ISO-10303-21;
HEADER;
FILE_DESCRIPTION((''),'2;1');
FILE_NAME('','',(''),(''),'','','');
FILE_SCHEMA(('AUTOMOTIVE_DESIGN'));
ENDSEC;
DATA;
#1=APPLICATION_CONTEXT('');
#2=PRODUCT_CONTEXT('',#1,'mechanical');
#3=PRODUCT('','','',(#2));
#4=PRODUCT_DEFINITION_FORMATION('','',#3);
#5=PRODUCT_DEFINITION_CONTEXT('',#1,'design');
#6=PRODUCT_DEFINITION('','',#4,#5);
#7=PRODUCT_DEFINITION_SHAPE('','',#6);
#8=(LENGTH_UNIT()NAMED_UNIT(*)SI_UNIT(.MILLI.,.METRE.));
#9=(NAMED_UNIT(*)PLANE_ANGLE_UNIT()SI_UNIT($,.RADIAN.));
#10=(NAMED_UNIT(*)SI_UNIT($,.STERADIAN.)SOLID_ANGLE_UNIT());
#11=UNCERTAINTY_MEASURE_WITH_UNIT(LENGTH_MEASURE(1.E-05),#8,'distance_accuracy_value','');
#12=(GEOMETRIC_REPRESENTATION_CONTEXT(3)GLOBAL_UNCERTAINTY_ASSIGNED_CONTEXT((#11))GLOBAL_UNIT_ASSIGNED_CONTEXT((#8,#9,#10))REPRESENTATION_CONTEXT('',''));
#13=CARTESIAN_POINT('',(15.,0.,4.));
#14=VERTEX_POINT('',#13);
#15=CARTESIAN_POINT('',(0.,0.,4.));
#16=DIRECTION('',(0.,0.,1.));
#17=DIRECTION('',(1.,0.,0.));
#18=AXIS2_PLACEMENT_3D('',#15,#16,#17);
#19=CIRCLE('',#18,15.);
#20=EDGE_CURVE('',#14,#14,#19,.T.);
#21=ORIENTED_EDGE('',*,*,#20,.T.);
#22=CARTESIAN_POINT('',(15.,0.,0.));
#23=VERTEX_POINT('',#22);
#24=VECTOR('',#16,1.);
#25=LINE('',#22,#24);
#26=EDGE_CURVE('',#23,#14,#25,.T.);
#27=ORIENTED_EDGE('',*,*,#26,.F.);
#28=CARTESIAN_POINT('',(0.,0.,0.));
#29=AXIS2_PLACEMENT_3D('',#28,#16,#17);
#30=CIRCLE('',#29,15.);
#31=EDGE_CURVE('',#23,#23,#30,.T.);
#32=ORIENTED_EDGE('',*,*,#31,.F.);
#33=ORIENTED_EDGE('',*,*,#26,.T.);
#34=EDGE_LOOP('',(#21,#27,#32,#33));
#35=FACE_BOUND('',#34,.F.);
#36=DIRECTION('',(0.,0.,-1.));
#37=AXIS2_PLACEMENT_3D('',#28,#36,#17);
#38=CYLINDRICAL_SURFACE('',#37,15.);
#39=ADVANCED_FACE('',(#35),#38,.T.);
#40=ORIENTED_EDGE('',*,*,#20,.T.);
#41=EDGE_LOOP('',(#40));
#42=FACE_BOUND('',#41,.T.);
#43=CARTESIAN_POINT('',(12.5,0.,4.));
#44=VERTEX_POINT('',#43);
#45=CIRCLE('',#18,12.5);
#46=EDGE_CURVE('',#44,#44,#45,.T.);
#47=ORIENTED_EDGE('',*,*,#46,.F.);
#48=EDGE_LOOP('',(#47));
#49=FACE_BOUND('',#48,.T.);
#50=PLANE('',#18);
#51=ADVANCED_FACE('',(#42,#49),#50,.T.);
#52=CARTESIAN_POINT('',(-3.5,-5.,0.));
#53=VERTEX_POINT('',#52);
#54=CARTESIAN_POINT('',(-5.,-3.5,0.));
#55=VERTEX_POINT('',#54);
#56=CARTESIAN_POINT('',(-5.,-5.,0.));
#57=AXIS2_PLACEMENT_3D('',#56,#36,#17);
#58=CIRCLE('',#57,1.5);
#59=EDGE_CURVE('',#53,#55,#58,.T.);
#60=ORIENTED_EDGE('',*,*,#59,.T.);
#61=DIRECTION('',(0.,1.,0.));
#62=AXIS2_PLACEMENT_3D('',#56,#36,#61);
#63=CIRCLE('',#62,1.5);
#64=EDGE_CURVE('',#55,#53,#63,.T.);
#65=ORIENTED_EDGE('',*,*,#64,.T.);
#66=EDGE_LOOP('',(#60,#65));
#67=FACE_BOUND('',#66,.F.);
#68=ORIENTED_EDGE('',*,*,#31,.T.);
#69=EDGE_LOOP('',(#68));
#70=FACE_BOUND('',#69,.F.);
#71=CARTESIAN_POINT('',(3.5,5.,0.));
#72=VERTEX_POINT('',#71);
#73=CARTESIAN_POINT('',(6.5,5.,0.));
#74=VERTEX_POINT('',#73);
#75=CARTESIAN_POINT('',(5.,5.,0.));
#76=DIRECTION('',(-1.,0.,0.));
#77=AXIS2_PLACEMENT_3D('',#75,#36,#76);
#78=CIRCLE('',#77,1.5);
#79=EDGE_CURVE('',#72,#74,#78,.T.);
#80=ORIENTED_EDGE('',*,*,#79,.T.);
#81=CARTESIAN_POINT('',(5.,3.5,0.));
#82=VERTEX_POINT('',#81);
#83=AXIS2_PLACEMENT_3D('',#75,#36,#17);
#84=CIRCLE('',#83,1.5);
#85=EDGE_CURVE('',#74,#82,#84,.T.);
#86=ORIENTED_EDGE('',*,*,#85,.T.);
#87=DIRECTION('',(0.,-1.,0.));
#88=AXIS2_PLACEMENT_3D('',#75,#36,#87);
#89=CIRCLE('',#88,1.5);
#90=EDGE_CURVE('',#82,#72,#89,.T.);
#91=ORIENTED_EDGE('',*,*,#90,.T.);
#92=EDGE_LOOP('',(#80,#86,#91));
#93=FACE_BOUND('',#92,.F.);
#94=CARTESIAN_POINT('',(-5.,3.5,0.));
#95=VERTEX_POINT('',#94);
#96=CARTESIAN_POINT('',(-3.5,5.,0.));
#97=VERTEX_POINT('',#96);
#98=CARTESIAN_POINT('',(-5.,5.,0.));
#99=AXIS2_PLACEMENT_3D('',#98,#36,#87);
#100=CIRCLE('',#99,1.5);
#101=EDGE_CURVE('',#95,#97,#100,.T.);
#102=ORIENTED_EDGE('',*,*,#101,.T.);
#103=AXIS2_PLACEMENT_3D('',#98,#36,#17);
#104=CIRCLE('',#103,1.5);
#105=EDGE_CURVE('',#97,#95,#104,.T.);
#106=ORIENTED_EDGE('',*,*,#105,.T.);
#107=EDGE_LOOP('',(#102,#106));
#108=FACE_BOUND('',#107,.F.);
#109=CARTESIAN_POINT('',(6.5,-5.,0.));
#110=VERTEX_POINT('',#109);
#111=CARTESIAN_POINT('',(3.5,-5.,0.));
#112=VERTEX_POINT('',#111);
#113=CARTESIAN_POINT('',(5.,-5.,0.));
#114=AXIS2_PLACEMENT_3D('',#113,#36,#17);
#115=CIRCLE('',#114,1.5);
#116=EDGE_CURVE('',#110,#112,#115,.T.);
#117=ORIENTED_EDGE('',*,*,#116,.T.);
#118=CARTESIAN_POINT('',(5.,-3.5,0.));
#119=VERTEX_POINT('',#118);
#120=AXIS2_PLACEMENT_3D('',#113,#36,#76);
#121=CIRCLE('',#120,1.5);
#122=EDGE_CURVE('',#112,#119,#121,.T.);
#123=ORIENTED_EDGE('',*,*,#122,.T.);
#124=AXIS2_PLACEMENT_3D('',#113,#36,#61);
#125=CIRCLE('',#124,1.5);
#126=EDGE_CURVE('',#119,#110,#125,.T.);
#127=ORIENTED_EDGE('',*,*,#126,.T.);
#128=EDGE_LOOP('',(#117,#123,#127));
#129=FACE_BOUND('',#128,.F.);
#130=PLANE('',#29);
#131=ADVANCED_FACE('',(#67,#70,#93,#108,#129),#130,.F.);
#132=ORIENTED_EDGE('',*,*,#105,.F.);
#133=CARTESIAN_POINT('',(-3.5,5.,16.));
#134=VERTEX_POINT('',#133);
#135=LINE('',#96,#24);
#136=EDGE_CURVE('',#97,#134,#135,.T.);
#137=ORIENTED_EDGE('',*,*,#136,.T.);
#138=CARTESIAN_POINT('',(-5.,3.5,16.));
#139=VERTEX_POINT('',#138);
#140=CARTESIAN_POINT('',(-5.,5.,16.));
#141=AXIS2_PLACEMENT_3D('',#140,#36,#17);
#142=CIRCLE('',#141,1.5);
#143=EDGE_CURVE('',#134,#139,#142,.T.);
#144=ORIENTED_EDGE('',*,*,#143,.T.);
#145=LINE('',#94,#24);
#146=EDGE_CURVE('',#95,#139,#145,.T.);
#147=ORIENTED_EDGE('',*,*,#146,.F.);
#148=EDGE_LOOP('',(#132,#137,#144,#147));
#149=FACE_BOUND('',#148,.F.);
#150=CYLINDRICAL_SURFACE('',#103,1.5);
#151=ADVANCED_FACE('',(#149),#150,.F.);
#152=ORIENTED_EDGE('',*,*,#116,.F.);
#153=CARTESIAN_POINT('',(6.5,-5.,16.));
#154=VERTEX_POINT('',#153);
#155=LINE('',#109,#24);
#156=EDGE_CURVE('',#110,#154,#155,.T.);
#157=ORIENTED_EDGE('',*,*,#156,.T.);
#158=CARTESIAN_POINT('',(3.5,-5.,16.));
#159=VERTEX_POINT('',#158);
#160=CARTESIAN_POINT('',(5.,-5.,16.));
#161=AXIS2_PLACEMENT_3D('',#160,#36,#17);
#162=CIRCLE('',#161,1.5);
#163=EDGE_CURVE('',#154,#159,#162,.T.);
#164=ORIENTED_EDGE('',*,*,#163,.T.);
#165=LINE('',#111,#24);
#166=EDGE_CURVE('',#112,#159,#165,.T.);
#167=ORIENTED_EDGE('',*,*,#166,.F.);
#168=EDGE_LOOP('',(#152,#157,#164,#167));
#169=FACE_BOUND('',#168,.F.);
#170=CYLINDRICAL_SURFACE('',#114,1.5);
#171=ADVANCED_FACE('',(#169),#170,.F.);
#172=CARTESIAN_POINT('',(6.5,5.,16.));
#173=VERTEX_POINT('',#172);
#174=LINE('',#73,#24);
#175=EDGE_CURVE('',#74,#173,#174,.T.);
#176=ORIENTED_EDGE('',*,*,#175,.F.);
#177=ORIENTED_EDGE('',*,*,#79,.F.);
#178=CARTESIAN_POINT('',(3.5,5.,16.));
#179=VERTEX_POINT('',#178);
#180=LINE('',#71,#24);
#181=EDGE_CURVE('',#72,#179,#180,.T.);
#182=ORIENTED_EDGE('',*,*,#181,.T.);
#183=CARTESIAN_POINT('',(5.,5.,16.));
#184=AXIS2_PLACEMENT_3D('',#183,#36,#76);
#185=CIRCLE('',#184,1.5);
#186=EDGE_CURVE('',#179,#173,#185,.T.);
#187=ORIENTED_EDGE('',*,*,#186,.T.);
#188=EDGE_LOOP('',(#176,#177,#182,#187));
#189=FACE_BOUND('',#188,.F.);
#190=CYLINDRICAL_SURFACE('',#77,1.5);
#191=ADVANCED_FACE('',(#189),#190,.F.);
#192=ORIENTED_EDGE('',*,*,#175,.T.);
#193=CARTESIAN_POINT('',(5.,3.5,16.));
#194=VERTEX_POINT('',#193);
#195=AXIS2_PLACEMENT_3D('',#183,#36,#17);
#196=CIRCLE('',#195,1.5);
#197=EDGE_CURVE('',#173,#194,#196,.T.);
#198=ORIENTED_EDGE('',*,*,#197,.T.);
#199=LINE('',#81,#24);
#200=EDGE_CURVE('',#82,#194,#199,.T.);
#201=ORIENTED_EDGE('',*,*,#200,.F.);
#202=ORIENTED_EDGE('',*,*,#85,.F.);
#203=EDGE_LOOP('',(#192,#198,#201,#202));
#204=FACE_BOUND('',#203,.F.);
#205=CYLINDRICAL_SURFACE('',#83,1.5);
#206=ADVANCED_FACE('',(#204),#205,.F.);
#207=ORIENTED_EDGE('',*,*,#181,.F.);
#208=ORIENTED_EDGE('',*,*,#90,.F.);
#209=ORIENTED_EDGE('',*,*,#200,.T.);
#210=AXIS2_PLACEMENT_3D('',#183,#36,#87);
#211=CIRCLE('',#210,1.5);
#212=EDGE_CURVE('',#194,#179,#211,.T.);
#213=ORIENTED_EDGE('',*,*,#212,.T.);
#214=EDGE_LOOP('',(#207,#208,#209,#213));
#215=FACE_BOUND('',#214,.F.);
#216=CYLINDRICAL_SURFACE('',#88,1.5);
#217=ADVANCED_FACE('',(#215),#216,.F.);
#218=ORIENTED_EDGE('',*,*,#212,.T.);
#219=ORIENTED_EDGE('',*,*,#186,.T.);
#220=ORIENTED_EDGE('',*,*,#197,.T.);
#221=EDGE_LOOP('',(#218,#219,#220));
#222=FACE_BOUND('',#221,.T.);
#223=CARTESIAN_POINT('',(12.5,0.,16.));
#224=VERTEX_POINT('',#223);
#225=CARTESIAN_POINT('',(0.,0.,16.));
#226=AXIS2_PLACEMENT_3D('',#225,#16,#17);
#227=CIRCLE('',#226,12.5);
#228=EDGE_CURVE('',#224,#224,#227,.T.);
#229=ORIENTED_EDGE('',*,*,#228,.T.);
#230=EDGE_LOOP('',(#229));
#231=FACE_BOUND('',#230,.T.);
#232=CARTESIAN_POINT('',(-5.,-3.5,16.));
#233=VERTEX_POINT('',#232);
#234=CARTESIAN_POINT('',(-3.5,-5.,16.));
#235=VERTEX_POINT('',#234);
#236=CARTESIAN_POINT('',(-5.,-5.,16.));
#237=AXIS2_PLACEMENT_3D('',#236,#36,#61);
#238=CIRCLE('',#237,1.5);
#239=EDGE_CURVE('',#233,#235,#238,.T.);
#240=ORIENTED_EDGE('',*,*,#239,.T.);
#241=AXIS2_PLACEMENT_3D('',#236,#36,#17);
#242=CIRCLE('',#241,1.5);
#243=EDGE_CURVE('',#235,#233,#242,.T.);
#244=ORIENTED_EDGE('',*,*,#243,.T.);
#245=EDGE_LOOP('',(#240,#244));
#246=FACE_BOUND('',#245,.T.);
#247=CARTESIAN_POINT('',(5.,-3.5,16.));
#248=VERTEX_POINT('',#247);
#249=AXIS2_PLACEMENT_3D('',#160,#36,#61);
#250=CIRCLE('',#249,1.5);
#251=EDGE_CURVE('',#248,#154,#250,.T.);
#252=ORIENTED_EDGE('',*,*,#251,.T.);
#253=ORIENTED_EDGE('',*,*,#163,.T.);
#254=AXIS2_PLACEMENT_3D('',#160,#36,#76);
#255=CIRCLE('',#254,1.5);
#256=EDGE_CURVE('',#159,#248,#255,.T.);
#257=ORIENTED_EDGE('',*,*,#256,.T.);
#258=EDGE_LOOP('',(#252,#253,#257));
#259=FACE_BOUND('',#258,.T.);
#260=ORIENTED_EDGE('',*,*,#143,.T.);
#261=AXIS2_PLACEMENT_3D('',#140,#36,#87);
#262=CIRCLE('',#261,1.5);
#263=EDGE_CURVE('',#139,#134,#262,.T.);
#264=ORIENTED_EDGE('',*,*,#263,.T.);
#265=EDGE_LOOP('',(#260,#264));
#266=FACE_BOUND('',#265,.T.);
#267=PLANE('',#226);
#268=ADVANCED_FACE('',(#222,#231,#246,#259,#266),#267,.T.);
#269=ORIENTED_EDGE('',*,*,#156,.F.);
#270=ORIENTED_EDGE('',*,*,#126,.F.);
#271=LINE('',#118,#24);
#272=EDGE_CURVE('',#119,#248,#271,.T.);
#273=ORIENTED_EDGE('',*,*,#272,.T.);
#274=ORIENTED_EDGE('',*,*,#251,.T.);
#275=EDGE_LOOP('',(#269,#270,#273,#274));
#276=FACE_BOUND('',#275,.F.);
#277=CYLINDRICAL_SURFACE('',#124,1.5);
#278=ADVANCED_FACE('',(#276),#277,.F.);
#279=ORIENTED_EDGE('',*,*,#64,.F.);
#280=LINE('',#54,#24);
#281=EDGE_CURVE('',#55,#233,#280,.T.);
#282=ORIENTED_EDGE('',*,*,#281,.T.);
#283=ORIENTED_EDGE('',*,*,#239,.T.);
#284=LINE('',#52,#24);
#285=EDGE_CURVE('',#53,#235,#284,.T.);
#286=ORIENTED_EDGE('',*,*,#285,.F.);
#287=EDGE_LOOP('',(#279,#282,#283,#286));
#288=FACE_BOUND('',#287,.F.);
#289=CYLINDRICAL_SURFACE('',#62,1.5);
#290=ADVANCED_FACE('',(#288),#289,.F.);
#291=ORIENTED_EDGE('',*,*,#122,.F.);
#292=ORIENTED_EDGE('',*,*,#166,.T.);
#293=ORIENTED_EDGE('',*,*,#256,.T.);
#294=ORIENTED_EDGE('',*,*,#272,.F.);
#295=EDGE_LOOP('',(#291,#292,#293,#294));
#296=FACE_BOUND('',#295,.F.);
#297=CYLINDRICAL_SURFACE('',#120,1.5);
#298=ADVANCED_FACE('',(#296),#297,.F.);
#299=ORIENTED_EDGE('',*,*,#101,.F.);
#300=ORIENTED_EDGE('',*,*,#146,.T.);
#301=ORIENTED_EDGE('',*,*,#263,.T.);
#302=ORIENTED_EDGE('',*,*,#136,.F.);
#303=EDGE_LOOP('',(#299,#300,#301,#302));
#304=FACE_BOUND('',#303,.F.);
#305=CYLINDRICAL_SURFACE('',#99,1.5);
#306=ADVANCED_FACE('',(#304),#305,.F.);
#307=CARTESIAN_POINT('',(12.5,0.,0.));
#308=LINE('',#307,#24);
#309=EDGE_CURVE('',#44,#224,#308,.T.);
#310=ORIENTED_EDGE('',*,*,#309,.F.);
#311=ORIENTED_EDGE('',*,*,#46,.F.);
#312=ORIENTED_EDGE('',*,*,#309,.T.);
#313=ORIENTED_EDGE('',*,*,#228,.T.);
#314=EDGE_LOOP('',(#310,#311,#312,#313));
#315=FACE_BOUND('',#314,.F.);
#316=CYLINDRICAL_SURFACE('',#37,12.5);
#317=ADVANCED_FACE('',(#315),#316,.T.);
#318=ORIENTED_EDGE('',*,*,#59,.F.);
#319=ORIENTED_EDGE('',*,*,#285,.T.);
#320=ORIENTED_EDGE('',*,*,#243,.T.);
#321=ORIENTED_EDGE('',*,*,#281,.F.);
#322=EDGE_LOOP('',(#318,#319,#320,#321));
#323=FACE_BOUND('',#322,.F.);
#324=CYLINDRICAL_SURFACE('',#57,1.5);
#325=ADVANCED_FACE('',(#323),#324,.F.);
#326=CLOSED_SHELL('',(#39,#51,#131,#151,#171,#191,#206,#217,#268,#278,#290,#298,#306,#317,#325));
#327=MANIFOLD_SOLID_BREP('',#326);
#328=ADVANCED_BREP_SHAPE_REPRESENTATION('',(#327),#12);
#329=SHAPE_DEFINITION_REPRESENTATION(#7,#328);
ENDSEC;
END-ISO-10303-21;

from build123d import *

# Parameters (mm, degrees)
F0_R     = 12.5
F1_DEPTH = 16
F0_R_2   = 15
F2_DEPTH = 4


with BuildPart() as f1:
    # F0 (on Top) → F1 (new body)
    with BuildSketch(Plane.XY):
        Circle(F0_R)
        with BuildLine():
            Line((3.5, -5), (-3.5, -5))
            ThreePointArc((-3.5, -5), (-6.0606601718, -6.0606601718), (-5, -3.5))
            Line((-5, -3.5), (-5, 3.5))
            ThreePointArc((-5, 3.5), (-6.0606601718, 6.0606601718), (-3.5, 5))
            Line((-3.5, 5), (3.5, 5))
            ThreePointArc((3.5, 5), (5, 6.5), (6.5, 5))
            ThreePointArc((6.5, 5), (6.0606601718, 3.9393398282), (5, 3.5))
            Line((5, 3.5), (5, -3.5))
            ThreePointArc((5, -3.5), (6.0606601718, -3.9393398282), (6.5, -5))
            ThreePointArc((6.5, -5), (5, -6.5), (3.5, -5))
        make_face(mode=Mode.SUBTRACT)
        with BuildLine():
            ThreePointArc((-5, -3.5), (-3.9393398282, -3.9393398282), (-3.5, -5))
            Line((-3.5, -5), (3.5, -5))
            ThreePointArc((3.5, -5), (3.9393398282, -3.9393398282), (5, -3.5))
            Line((5, -3.5), (5, 3.5))
            ThreePointArc((5, 3.5), (3.9393398282, 3.9393398282), (3.5, 5))
            Line((3.5, 5), (-3.5, 5))
            ThreePointArc((-3.5, 5), (-3.9393398282, 3.9393398282), (-5, 3.5))
            Line((-5, 3.5), (-5, -3.5))
        make_face()
    extrude(amount=F1_DEPTH)

    # F0 (on Top) → F2 (join)
    with BuildSketch(Plane.XY):
        Circle(F0_R_2)
        Circle(F0_R, mode=Mode.SUBTRACT)
    extrude(amount=F2_DEPTH)


solid = f1.part
